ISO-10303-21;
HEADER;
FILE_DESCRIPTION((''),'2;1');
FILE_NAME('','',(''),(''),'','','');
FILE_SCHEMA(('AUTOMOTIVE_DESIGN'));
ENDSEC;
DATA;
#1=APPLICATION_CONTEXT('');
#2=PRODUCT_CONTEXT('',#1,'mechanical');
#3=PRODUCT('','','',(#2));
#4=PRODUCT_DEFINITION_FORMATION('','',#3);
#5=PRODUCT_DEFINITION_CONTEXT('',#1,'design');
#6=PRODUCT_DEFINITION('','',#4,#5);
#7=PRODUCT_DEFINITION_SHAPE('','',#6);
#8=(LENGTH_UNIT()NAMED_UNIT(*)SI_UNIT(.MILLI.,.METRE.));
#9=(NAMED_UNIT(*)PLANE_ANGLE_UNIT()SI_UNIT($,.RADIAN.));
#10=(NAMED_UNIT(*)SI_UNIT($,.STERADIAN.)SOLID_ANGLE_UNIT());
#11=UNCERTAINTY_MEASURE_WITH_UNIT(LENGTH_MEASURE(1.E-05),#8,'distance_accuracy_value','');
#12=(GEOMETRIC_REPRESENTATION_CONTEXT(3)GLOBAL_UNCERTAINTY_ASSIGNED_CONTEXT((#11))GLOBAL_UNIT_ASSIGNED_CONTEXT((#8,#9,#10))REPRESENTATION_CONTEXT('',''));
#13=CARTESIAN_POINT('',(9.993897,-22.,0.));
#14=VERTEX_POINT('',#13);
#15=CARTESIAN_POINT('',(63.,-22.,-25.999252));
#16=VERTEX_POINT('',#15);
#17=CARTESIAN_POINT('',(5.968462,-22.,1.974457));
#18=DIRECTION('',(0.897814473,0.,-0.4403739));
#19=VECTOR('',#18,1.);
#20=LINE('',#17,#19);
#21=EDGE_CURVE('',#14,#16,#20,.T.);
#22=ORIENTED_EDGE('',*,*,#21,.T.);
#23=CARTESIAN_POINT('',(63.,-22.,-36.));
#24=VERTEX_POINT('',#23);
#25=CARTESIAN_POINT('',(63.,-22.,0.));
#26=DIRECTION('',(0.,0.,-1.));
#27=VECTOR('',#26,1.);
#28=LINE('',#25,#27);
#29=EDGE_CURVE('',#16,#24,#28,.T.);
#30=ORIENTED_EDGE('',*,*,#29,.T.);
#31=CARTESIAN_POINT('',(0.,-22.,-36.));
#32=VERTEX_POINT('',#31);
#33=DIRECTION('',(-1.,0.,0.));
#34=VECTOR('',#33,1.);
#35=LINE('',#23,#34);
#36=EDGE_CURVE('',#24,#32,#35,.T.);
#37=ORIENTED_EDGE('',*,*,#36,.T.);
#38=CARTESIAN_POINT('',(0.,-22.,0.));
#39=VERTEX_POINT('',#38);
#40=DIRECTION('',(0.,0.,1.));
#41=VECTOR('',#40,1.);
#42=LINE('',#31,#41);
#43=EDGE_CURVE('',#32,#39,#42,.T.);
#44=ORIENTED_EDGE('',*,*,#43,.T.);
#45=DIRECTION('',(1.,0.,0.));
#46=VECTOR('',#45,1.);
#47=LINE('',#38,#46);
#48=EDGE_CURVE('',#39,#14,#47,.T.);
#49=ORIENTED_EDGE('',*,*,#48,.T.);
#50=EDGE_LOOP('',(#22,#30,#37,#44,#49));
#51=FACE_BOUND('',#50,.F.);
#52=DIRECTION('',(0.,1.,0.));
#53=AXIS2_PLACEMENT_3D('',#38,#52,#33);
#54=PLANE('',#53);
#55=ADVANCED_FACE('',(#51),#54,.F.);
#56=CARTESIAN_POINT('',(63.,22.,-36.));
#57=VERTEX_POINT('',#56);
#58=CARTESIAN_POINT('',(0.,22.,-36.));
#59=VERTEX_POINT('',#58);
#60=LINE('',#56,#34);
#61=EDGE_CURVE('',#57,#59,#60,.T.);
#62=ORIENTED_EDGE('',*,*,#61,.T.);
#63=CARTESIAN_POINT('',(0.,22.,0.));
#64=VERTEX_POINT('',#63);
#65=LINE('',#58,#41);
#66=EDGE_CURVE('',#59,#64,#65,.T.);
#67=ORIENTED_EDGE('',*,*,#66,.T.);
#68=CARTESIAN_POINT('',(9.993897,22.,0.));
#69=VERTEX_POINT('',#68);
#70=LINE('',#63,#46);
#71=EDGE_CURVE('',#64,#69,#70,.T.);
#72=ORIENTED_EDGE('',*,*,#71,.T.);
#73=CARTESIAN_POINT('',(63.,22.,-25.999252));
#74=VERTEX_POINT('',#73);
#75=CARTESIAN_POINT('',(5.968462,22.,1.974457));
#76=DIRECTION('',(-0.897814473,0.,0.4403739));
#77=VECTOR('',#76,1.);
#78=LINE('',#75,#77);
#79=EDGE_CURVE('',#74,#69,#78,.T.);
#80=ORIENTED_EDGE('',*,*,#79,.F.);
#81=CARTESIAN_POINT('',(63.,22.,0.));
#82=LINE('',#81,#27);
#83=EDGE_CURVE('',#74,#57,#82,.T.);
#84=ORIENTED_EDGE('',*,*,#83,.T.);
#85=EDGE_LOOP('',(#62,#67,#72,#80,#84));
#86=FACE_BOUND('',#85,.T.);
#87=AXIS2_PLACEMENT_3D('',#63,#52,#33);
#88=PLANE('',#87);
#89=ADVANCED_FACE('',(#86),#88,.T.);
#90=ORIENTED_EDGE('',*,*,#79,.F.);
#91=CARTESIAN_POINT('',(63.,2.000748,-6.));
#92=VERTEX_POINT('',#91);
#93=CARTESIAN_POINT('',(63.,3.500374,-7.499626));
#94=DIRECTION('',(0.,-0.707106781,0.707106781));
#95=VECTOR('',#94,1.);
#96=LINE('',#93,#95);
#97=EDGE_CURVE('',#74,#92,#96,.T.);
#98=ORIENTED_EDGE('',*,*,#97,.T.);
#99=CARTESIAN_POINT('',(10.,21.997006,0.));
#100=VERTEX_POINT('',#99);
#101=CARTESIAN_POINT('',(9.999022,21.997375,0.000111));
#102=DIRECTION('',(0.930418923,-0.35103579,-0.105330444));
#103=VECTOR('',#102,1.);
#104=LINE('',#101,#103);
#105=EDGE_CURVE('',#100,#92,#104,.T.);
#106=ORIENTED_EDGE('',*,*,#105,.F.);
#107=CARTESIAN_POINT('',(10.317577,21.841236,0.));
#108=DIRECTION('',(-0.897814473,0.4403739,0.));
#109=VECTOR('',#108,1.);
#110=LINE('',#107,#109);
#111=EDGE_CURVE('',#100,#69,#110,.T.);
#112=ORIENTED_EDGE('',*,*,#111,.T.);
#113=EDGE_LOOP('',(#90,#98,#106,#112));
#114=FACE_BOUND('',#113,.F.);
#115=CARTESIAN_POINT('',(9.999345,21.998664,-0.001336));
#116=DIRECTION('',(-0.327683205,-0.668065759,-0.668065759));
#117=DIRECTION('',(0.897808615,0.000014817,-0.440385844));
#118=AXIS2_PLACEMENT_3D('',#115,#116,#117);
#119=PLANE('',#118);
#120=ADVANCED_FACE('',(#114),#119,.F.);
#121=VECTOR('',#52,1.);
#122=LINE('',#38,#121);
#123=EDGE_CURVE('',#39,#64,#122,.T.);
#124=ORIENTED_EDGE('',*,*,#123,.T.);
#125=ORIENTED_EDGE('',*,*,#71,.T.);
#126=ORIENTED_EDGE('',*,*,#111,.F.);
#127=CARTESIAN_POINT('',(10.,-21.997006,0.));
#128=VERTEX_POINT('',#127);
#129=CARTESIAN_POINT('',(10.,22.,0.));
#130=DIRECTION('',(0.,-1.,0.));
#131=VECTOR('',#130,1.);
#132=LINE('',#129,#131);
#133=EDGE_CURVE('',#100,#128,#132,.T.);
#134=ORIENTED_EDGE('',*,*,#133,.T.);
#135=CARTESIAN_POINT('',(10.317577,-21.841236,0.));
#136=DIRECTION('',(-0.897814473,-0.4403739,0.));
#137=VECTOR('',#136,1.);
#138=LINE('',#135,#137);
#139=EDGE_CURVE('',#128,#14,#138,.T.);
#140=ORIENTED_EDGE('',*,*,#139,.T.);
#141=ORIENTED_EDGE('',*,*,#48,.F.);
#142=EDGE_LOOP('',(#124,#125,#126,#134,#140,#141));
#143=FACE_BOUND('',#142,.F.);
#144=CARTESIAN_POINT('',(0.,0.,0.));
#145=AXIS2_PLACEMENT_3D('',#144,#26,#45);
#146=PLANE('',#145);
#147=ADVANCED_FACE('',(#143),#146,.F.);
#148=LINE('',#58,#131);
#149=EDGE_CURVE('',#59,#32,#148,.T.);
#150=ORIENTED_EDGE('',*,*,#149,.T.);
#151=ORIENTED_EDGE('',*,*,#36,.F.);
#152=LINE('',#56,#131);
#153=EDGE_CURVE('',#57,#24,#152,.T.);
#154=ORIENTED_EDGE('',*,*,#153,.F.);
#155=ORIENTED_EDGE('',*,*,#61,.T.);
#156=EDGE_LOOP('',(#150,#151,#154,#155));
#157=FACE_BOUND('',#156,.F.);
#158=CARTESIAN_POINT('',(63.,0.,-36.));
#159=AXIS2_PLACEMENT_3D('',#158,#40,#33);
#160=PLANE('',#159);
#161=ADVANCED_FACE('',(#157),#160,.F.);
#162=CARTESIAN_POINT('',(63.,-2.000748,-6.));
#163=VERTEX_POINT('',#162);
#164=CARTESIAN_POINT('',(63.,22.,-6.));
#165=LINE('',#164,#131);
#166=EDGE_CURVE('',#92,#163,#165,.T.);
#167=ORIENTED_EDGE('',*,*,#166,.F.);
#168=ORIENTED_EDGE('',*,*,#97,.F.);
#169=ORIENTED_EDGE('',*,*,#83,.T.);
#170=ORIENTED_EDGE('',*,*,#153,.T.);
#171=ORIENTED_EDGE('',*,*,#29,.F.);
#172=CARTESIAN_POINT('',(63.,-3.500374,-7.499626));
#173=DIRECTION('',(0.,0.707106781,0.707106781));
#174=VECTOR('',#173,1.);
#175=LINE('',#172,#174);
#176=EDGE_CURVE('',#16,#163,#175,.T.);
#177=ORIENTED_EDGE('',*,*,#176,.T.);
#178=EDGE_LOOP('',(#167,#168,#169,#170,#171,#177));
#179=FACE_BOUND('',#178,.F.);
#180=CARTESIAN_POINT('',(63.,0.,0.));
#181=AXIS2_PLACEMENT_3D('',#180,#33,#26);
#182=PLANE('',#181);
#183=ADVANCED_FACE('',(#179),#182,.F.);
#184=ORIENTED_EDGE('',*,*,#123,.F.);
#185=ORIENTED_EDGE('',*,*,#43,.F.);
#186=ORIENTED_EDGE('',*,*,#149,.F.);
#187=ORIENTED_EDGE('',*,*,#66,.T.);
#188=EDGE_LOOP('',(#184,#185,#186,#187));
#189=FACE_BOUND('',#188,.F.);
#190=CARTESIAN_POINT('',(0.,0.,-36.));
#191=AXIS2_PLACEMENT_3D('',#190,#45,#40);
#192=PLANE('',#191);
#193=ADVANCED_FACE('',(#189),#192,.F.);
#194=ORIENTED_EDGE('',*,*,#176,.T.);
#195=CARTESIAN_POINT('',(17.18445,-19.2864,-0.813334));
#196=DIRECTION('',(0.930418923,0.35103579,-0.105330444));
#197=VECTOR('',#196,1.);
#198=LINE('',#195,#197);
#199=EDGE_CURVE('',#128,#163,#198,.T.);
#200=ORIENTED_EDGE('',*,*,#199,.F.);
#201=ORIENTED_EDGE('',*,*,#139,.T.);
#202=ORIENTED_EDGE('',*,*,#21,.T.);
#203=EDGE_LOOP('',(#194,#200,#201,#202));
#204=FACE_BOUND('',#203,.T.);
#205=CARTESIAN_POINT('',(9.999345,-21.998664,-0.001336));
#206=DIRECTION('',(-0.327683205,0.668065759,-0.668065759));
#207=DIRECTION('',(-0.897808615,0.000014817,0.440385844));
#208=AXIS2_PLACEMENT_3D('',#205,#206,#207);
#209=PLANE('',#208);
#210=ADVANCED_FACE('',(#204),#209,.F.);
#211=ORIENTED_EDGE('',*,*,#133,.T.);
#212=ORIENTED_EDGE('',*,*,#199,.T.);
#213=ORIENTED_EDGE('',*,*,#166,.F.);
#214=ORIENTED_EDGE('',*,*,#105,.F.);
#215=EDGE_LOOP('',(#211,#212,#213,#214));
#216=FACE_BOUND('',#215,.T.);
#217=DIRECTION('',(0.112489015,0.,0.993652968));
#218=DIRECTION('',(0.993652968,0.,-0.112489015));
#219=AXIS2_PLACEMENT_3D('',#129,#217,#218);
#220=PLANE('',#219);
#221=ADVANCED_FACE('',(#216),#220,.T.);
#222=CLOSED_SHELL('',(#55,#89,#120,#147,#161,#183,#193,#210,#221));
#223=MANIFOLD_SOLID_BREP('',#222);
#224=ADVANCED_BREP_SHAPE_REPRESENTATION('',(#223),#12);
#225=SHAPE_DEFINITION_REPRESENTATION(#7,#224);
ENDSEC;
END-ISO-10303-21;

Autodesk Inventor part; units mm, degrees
ref_plane "YZ Plane" through (0, 0, 0) normal (1, 0, 0) x (0, 1, 0)
ref_plane "XZ Plane" through (0, 0, 0) normal (0, 1, 0) x (-1, 0, 0)
sketch "草圖1" plane through (0, 0, 0) normal (0, 1, 0) x (-1, 0, 0)
  line L0 (0, 0) -> (-63, 0)
  line L1 (-63, 0) -> (-63, -36)
  line L2 (-63, -36) -> (0, -36)
  line L3 (0, -36) -> (0, 0)
  dimension "d0" = 63
  dimension "d1" = 36
extrude "擠出1" add sketch "草圖1" along normal mid plane 44
sketch "草圖2" plane through (0, 22, 0) normal (0, 1, 0) x (1, 0, 0)
  line L0 (0, 0) -> (63, 0) projected
  line L1 (10, 0) -> (63, 6)
  line L2 (63, 0) -> (63, 36) projected
  dimension "d4" = 10
  dimension "d5" = 30
extrude "擠出2" cut sketch "草圖2" against normal blind 60
sketch "草圖3" plane through (63, -22, -36) normal (1, 0, 0) x (0, 0, -1)
  line L0 (-30, 24) -> (-10, 44)
  line L1 (0, 44) -> (-36, 44) projected
  line L2 (-30, 44) -> (-30, 0) projected
  point P0 (-36, 22)
  point P1 (-30, 2)
  dimension "d8" = 20
  dimension "d9" = 20
ref_plane "工作平面1" through (10, 22, 0) normal (-0.3277, -0.6681, -0.6681) x (0.8978, 0, -0.4404)
sketch "草圖4" plane through (10, 22, 0) normal (-0.3277, -0.6681, -0.6681) x (0.8978, 0, -0.4404)
  line L0 (-15.1543, -12.3218) -> (93.717, -12.3218)
  line L1 (93.717, -12.3218) -> (93.717, 28.8166)
  line L2 (93.717, 28.8166) -> (-15.1543, 28.8166)
  line L3 (-15.1543, 28.8166) -> (-15.1543, -12.3218)
  point P0 (-8.9779, 13.4282)
extrude "擠出3" cut sketch "草圖4" against normal blind 40
mirror "鏡射1" about plane through (0, 0, 0) normal (0, 1, 0) of "擠出3"
properties part number "49"
